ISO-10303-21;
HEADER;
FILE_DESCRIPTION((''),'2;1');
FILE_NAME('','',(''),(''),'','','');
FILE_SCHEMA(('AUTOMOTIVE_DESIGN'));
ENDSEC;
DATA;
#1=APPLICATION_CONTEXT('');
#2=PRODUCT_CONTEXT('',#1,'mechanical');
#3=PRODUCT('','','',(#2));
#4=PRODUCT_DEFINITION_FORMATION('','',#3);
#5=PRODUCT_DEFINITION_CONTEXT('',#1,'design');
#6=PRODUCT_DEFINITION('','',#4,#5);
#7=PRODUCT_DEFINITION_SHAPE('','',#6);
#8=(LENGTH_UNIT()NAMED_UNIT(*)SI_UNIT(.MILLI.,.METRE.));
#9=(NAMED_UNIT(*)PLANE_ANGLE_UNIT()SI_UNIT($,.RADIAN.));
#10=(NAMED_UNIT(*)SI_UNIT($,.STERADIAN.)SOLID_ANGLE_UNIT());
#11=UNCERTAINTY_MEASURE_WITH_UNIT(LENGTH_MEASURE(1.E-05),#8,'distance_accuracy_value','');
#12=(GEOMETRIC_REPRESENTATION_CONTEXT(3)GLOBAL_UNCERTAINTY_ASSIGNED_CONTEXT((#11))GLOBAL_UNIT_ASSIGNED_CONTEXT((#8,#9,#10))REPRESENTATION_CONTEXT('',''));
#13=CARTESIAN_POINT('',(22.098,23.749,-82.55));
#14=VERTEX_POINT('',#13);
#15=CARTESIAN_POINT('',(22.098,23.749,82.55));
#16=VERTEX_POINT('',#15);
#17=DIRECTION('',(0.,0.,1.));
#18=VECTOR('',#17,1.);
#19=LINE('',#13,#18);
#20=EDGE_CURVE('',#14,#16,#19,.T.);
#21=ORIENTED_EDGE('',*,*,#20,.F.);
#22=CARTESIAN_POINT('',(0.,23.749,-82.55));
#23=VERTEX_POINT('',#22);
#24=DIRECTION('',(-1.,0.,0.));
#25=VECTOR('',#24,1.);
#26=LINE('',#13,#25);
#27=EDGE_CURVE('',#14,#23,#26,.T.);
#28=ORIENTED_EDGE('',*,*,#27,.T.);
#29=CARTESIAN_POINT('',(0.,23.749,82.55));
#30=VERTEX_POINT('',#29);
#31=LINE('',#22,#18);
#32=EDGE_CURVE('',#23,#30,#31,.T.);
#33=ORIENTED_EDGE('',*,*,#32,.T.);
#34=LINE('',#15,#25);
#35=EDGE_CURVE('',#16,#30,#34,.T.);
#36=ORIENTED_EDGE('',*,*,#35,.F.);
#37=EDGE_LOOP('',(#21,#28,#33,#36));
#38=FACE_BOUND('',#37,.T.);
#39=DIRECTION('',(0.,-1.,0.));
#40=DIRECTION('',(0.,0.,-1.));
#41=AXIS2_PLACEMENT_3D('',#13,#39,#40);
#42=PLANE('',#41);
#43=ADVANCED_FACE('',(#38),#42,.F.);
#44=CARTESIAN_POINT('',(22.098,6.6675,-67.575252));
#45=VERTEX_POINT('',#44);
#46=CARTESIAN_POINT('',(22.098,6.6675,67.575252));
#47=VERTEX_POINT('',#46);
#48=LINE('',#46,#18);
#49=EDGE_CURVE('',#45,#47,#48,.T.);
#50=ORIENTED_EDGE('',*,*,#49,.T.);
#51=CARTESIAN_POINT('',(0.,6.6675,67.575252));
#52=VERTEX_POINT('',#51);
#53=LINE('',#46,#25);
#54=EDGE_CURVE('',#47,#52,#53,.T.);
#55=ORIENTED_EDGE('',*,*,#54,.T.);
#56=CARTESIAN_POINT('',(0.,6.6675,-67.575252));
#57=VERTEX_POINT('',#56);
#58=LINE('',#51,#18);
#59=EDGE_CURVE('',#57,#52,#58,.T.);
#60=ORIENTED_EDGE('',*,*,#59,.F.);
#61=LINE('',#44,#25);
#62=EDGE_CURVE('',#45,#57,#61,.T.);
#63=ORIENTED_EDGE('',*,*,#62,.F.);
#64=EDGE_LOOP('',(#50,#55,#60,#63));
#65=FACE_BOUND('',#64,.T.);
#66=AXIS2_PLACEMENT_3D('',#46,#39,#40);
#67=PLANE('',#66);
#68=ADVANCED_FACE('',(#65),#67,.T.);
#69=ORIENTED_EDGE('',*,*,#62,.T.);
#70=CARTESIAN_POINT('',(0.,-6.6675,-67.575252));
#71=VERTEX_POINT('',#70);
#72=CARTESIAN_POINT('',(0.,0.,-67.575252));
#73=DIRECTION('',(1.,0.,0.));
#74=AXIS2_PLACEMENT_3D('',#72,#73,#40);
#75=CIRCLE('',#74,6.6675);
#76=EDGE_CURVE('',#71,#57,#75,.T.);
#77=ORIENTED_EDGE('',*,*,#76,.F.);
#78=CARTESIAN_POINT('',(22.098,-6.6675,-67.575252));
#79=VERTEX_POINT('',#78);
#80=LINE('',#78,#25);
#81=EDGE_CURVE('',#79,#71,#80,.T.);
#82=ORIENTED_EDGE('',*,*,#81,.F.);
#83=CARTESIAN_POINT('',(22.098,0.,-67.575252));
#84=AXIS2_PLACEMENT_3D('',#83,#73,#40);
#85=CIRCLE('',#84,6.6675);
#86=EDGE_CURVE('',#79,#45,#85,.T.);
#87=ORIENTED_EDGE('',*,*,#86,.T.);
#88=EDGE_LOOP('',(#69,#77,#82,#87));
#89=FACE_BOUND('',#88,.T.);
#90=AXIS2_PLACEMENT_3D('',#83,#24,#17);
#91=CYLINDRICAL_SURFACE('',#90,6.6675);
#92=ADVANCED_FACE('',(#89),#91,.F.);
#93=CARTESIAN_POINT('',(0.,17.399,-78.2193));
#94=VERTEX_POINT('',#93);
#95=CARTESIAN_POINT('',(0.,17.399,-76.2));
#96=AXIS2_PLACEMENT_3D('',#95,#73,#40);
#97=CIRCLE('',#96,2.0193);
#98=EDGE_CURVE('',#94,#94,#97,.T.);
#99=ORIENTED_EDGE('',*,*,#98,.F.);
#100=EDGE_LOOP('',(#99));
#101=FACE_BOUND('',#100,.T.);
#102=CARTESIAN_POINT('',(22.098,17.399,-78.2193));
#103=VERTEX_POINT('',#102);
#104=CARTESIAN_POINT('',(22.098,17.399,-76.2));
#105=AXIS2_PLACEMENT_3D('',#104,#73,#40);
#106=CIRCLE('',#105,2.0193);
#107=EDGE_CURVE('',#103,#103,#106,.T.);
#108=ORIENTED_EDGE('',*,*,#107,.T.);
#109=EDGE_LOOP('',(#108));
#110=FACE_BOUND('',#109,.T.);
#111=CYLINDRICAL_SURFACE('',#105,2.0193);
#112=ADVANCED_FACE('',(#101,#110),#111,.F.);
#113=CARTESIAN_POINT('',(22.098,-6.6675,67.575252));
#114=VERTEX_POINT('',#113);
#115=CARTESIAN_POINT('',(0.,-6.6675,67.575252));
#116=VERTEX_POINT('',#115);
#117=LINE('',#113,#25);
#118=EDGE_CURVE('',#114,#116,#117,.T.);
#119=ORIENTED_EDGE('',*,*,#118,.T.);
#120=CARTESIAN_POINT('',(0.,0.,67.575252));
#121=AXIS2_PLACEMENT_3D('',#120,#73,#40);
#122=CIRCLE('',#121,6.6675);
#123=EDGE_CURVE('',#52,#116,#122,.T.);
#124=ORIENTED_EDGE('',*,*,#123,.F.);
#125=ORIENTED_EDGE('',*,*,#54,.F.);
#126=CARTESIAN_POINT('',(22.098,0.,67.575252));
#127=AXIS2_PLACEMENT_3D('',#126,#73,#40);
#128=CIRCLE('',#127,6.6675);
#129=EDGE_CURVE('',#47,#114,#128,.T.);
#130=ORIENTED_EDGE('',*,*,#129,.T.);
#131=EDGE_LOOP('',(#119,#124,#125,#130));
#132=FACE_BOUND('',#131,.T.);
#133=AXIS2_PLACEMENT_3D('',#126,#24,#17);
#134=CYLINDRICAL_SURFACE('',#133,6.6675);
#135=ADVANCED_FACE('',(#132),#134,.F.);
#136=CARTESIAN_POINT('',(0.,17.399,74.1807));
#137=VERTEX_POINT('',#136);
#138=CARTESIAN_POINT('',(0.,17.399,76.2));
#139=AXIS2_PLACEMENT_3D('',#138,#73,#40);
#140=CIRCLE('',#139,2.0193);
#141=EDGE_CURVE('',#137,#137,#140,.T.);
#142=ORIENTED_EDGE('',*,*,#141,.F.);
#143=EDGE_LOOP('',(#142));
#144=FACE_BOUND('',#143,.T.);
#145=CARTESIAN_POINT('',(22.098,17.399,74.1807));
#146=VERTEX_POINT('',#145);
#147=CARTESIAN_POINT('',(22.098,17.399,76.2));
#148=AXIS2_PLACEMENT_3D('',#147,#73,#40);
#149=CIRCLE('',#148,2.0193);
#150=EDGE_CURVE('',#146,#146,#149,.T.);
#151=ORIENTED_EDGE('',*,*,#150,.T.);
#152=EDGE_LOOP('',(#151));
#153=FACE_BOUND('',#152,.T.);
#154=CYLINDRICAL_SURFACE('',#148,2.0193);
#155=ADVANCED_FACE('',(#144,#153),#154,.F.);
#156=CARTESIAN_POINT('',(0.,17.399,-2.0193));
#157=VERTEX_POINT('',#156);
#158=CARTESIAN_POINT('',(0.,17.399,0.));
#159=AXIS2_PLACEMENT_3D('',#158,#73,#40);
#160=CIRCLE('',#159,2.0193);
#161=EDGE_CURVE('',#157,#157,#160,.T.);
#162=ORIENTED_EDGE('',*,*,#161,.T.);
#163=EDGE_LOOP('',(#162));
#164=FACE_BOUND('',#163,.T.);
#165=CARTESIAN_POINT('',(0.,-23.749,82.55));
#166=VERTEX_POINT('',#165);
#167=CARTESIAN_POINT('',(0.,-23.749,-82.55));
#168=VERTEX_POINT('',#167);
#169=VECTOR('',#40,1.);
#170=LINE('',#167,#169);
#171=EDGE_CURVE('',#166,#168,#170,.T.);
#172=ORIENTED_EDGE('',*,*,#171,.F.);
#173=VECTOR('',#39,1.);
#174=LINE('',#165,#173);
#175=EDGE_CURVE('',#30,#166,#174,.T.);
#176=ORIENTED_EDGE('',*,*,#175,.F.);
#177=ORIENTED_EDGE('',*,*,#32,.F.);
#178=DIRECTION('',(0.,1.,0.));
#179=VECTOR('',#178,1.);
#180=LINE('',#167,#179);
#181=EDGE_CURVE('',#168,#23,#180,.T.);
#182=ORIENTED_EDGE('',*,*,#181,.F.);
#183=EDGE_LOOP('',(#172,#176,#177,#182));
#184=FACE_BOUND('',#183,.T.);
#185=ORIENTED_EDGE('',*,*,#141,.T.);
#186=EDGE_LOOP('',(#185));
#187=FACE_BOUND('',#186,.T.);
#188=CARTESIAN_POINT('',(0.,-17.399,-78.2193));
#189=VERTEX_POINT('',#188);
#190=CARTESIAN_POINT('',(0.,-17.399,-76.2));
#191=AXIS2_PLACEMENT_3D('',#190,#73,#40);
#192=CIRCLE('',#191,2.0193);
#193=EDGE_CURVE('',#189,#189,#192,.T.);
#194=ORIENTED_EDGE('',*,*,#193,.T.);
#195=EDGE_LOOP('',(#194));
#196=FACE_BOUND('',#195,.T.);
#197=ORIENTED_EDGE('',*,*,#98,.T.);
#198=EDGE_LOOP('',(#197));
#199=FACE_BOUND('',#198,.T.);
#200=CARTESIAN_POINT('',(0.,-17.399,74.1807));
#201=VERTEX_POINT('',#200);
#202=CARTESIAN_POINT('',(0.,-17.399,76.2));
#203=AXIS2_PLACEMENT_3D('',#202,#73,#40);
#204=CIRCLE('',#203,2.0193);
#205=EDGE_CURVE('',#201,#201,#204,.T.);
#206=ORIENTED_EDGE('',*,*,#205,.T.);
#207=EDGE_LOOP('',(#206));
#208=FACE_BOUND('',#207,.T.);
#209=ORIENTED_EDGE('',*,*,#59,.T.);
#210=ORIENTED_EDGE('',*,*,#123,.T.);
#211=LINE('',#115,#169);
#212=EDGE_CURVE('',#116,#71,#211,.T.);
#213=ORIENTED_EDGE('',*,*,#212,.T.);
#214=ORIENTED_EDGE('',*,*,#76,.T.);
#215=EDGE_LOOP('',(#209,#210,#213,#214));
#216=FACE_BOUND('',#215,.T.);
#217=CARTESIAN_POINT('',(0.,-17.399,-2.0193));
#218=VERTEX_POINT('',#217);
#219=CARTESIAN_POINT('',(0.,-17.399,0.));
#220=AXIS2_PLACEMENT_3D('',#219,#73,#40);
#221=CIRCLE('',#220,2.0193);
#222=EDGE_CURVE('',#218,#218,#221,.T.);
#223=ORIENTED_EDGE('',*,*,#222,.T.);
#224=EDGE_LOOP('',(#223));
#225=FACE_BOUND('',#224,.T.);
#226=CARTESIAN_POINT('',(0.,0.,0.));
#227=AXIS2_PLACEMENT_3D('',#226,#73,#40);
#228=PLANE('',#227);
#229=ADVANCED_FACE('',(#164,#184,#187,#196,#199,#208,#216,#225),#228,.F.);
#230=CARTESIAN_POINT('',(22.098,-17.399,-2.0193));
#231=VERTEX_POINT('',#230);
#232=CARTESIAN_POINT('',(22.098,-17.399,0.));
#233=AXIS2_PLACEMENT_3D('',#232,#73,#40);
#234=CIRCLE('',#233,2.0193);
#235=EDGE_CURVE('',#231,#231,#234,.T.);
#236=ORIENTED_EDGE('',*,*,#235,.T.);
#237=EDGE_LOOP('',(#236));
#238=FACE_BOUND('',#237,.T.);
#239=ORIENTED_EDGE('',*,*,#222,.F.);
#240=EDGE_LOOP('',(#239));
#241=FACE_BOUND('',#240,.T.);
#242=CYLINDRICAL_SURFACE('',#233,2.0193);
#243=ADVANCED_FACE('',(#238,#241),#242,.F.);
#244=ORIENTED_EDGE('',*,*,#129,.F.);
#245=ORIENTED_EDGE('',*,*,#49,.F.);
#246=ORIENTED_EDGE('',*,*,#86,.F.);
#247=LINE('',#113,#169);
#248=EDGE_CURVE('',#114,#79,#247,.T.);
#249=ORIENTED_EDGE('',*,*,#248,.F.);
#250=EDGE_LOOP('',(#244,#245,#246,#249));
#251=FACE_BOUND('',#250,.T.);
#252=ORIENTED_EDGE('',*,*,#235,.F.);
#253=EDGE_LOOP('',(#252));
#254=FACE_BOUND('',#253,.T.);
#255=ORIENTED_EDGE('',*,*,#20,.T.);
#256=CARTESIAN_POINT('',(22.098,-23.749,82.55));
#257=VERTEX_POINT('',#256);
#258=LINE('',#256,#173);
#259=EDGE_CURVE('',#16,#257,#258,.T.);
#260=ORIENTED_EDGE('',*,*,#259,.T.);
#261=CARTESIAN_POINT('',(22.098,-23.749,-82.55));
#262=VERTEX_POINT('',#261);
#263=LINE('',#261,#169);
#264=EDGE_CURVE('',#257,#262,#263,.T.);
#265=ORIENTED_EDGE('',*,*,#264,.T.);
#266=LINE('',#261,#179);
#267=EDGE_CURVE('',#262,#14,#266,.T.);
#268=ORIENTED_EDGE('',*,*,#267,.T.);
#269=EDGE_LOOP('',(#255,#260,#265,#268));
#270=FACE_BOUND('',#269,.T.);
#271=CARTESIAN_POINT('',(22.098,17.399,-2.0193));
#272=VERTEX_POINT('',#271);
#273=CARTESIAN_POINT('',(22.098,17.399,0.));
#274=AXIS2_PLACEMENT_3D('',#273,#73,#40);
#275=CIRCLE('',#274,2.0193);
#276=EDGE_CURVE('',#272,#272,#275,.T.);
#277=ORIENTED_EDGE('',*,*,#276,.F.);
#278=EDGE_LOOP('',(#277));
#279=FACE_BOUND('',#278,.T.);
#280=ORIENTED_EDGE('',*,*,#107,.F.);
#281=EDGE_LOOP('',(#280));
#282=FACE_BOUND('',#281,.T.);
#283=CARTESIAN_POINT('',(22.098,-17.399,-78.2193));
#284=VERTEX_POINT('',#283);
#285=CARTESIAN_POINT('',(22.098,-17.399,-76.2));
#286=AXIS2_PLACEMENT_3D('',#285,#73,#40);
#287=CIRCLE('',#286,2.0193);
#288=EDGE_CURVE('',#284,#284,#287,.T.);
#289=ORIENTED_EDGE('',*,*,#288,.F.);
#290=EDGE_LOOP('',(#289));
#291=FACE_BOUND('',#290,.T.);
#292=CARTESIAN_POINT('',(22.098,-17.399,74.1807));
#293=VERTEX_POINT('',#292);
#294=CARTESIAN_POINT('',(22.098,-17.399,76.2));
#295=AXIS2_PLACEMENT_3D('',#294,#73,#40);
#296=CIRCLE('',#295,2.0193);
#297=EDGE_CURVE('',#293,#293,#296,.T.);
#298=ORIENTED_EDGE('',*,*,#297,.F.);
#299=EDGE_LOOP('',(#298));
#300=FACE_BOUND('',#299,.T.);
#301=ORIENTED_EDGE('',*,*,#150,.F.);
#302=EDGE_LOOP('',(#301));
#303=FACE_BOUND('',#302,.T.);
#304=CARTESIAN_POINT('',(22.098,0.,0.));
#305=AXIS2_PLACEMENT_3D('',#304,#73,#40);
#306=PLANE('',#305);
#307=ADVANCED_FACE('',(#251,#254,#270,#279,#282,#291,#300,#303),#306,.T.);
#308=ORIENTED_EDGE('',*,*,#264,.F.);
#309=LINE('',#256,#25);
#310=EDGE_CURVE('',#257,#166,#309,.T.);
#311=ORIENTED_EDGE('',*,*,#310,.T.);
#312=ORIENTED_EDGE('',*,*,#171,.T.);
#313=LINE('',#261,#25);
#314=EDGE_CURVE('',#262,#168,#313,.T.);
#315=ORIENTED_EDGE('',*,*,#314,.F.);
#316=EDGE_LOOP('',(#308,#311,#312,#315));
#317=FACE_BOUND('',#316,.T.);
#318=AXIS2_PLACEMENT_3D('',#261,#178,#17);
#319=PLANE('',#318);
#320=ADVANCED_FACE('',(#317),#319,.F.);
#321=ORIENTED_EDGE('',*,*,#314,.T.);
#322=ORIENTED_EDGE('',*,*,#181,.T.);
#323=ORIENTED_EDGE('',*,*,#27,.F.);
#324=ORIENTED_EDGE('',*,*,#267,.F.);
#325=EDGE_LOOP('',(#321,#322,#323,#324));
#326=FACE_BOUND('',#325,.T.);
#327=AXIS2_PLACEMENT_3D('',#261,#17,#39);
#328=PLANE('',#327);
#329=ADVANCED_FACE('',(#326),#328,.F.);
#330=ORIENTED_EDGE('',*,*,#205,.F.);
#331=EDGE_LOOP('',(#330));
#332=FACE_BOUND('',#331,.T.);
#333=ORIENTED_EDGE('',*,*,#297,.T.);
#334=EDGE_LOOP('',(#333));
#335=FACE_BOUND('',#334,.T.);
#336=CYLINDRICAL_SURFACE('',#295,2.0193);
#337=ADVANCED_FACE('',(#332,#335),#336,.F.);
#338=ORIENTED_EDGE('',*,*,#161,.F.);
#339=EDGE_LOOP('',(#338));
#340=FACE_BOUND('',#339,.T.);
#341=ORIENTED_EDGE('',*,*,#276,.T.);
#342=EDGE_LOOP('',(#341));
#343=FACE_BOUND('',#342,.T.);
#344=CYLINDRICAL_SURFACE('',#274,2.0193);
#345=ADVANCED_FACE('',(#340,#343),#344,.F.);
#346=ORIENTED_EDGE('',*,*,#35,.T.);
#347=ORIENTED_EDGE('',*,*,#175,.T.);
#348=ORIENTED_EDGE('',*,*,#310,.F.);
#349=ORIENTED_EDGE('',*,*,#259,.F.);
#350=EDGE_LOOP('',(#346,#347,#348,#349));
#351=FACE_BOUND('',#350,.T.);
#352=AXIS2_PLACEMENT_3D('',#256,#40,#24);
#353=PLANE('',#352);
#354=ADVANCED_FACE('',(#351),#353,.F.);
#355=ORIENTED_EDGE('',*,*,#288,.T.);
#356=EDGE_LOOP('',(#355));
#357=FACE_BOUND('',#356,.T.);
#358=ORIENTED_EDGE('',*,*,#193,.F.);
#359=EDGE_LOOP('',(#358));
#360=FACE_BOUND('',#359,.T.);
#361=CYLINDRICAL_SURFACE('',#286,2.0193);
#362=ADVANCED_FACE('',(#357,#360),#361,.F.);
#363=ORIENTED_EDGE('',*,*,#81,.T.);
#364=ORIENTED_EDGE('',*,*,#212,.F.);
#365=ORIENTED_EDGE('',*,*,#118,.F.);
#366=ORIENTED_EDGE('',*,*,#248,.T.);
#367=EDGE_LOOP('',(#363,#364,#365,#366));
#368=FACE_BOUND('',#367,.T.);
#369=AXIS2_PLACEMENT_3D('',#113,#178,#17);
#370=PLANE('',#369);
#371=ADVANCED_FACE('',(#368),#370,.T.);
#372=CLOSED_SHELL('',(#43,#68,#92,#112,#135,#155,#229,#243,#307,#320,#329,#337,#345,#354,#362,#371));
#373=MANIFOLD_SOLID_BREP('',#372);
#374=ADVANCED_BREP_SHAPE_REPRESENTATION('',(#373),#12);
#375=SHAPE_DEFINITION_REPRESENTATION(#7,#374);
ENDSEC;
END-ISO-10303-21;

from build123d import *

# Parameters (mm, degrees)
SKETCH1_W              = 165.1
SKETCH1_H              = 47.498
BOSS_EXTRUDE1_DEPTH    = 22.098
F_10_32_TAPPED_HOLE1_D = 4.0386


with BuildPart() as part:
    # Sketch1 → Boss-Extrude1 (new body)
    with BuildSketch(Plane(origin=(0, 0, 0), x_dir=(0, 0, -1), z_dir=(1, 0, 0))):
        Rectangle(SKETCH1_W, SKETCH1_H)
        with BuildLine():
            Line((-67.5752522, 6.6675), (67.5752522, 6.6675))
            ThreePointArc((67.5752522, 6.6675), (74.2427522, 0), (67.5752522, -6.6675))
            Line((67.5752522, -6.6675), (-67.5752522, -6.6675))
            ThreePointArc((-67.5752522, -6.6675), (-74.2427522, 0), (-67.5752522, 6.6675))
        make_face(mode=Mode.SUBTRACT)
    extrude(amount=BOSS_EXTRUDE1_DEPTH)

    # #10-32 Tapped Hole1 (through all)
    with Locations(Plane(origin=(22.098, 0, 0), x_dir=(0, 0, -1), z_dir=(1, 0, 0))):
        with Locations((-76.2, 17.399), (-76.2, -17.399), (0, -17.399), (76.2, -17.399), (76.2, 17.399), (0, 17.399)):
            Hole(F_10_32_TAPPED_HOLE1_D / 2)


solid = part.part
